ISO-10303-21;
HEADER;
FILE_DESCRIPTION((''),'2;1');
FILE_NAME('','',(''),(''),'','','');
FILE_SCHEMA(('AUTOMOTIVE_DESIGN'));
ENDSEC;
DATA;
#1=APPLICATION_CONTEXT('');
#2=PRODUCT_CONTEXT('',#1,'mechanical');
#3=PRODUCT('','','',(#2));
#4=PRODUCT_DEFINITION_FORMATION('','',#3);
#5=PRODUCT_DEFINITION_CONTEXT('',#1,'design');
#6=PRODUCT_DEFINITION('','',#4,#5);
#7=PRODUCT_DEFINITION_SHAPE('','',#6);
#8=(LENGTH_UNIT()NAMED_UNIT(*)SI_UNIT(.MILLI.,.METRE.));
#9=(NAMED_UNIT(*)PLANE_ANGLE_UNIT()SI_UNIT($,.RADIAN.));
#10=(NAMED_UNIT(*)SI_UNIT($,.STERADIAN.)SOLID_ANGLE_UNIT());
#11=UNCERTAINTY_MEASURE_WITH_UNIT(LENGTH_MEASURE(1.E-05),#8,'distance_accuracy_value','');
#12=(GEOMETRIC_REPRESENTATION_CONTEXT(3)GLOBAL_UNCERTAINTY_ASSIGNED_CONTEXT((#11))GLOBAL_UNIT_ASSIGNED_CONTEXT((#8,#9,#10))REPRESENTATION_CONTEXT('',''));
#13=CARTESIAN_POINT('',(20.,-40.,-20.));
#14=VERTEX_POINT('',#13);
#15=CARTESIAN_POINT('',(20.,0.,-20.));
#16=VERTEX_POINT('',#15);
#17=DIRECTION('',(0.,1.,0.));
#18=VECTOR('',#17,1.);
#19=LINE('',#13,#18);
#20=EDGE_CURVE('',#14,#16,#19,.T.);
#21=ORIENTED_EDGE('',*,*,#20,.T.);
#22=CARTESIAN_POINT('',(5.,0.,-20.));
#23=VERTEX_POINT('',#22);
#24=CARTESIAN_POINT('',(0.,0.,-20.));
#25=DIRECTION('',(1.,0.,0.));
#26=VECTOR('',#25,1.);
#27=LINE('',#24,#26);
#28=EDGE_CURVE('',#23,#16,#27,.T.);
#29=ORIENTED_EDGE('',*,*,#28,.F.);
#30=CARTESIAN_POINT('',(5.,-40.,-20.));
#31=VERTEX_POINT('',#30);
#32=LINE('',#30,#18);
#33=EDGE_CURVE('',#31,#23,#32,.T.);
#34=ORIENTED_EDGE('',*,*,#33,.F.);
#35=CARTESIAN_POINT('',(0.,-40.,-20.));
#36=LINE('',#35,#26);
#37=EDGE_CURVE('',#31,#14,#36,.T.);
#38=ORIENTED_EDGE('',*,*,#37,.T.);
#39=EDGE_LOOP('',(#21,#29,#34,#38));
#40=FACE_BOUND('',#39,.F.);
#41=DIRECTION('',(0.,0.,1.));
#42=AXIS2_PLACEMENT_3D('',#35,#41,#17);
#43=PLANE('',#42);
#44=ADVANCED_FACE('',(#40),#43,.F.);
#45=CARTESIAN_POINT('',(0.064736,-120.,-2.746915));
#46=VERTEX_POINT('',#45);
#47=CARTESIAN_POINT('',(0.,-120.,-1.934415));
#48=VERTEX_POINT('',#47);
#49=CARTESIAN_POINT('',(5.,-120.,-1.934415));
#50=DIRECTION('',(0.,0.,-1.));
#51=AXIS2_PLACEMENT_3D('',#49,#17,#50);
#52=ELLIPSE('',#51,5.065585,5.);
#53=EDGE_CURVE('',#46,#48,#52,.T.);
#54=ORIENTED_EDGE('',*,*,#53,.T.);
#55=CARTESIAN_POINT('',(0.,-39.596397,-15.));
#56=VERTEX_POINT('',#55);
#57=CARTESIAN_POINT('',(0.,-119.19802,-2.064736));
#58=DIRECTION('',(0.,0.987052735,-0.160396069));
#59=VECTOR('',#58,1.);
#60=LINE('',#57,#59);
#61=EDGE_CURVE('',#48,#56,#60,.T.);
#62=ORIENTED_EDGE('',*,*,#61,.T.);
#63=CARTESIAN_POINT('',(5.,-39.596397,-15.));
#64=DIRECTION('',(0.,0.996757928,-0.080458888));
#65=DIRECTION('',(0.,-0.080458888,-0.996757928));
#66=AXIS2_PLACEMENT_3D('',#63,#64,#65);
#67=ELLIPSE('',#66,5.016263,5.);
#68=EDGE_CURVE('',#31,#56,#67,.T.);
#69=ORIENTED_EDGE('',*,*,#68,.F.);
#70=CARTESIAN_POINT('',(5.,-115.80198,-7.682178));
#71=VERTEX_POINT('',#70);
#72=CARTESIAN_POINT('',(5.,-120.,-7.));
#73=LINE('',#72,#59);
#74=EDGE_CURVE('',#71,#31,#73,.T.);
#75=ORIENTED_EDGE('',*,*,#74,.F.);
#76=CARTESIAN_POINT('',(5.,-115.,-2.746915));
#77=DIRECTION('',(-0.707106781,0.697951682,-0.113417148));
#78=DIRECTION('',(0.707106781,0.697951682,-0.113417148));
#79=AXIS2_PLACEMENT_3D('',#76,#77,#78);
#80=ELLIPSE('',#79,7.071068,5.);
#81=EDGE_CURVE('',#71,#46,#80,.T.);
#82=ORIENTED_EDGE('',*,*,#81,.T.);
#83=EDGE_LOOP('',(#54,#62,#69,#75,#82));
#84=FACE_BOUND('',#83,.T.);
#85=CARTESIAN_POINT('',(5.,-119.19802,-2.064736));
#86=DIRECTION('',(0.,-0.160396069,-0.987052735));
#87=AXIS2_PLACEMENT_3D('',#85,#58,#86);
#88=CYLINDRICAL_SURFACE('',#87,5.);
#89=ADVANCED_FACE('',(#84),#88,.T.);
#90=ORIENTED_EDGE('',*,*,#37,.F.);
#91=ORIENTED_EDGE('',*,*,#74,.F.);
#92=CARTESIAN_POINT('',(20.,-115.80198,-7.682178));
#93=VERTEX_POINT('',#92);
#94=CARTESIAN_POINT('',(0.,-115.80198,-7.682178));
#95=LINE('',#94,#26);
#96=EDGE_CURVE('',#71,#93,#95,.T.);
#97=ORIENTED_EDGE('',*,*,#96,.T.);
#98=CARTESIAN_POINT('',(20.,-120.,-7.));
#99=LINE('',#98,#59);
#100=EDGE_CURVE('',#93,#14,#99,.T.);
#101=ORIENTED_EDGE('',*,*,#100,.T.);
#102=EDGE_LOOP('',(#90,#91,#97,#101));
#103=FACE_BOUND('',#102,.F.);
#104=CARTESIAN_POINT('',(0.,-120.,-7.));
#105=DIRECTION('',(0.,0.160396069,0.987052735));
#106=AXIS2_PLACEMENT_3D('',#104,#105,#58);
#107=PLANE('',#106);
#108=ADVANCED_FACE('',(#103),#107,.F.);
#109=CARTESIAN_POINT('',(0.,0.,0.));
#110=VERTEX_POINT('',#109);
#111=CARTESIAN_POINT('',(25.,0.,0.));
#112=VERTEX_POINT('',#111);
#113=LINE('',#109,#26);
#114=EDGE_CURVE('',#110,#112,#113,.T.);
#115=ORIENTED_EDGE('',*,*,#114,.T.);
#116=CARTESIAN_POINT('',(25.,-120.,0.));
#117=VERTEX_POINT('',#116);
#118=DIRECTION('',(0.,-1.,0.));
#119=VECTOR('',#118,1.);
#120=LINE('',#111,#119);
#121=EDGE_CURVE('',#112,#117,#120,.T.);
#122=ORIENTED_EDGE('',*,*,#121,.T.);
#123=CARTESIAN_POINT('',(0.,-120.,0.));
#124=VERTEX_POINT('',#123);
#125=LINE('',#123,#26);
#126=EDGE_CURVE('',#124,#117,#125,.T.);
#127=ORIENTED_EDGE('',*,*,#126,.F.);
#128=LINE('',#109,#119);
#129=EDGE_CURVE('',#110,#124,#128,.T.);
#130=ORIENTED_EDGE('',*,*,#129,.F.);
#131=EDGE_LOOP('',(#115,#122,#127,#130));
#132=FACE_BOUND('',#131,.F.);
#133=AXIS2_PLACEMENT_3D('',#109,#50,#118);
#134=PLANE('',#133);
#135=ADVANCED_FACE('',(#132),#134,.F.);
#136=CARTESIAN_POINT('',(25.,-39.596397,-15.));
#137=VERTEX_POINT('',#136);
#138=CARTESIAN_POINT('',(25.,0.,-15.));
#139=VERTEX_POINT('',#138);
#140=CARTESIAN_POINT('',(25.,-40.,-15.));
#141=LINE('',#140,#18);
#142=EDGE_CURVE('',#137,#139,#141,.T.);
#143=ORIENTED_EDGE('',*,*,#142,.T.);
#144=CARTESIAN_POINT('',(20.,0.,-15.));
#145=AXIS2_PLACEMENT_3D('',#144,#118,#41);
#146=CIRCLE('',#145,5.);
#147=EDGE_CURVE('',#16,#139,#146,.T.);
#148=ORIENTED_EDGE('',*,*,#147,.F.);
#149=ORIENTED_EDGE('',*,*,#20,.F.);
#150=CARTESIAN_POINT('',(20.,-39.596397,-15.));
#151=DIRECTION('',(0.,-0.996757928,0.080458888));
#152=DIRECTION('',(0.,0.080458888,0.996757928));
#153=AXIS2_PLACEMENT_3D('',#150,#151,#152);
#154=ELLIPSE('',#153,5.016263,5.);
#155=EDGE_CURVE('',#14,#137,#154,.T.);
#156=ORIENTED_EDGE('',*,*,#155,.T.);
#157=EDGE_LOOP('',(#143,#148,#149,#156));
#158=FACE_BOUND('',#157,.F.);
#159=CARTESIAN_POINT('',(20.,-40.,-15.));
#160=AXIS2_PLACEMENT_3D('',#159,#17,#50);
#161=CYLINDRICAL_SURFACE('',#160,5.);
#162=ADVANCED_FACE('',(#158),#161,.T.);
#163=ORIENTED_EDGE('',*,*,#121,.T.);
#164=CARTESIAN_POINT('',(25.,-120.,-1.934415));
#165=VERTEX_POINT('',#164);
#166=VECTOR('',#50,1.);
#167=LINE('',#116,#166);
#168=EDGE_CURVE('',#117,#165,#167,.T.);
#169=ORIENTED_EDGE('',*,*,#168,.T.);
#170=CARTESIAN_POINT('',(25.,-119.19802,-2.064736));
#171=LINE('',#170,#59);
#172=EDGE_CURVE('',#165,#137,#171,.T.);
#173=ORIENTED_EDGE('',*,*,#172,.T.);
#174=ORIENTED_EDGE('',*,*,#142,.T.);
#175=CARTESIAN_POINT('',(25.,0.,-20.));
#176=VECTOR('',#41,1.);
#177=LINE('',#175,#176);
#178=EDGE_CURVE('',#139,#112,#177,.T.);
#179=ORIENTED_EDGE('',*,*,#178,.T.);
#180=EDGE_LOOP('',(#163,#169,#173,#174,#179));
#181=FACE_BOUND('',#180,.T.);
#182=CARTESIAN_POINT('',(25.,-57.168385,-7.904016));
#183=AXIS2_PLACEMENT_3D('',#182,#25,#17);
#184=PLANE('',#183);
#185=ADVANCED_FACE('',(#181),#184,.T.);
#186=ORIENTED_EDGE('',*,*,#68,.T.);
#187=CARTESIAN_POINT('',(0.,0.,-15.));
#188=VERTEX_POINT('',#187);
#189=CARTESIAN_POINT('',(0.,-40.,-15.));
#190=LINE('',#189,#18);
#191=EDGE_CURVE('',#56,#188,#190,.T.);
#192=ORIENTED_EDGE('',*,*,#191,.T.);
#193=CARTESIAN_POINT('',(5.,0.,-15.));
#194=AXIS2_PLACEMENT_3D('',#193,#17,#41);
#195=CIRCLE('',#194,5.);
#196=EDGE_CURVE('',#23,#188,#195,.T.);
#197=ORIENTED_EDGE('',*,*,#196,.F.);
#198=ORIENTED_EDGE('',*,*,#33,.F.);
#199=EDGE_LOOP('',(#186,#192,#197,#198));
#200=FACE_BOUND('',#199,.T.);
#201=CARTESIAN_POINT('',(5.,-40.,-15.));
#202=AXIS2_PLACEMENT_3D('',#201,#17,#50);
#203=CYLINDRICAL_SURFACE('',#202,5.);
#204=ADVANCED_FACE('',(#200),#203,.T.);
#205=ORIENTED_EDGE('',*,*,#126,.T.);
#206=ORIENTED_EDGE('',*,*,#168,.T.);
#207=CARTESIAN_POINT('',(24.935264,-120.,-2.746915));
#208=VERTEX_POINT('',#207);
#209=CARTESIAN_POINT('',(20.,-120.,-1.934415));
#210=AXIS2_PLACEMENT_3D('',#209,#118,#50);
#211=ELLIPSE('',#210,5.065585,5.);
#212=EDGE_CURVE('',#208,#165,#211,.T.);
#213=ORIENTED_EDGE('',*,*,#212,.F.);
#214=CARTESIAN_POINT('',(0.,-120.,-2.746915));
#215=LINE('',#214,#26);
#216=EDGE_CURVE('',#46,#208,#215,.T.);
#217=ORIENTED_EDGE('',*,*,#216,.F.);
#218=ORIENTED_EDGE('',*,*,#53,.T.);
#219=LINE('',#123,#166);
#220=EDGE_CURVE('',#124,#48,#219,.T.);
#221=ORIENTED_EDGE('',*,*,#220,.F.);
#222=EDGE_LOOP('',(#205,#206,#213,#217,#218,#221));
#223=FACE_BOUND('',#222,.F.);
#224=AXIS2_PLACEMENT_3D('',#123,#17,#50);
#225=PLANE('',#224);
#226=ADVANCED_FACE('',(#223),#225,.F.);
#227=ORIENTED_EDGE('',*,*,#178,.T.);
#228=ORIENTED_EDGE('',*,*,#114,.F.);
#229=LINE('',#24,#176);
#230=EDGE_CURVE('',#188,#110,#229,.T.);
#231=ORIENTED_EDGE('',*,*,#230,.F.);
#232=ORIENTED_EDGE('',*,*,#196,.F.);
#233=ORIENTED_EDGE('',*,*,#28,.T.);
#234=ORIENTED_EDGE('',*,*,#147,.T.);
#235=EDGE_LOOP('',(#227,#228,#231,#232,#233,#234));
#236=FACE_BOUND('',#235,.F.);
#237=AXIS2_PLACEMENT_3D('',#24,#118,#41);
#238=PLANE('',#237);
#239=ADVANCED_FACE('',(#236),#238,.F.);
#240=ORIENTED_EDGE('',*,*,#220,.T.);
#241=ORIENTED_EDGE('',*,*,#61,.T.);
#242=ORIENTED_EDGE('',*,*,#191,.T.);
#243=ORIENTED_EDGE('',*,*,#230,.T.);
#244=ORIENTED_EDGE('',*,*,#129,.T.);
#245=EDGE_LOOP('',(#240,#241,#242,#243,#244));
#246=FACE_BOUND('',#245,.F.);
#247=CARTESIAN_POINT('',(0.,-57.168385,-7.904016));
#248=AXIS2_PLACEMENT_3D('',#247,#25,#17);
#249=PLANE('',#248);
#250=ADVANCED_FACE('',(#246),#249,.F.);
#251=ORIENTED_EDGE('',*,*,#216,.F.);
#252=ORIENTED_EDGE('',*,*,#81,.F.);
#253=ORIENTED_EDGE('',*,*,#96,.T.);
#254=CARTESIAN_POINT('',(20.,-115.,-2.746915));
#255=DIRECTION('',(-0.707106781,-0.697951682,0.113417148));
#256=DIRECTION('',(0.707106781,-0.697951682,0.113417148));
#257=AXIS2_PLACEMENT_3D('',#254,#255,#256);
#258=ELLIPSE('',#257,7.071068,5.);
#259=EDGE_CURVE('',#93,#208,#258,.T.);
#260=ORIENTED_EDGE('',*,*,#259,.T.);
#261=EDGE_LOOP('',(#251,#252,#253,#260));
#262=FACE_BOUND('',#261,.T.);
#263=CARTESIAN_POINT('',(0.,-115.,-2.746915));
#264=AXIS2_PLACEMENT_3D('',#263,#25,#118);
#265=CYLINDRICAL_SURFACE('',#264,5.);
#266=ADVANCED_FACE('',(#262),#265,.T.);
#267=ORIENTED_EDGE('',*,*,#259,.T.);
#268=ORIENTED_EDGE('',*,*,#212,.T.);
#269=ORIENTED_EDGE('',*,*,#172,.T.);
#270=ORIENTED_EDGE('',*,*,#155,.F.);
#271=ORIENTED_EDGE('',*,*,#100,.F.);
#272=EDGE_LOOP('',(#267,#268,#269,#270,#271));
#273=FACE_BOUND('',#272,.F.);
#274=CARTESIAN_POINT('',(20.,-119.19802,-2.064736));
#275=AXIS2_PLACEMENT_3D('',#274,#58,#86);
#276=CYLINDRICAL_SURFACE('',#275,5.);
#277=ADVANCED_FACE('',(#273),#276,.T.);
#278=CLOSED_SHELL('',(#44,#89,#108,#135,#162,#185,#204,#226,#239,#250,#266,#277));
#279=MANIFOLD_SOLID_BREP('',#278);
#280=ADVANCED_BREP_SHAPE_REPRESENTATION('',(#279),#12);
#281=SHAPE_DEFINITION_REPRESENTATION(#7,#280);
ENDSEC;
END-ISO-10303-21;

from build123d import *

# Parameters (mm, degrees)
F1_DEPTH = 25
F2_R     = 5


with BuildPart() as f1:
    # F0 (on Right) → F1 (new body)
    with BuildSketch(Plane.YZ):
        Polygon((0, -20), (0, 0), (-120, 0), (-120, -7), (-40, -20), align=None)
    extrude(amount=F1_DEPTH)

    # F2
    f2_edges = [f1.edges().sort_by_distance(p)[0] for p in [
        (25, -20, -20),
        (25, -80, -13.5),
        (12.5, -120, -7),
        (0, -80, -13.5),
        (0, -20, -20),
    ]]
    fillet(f2_edges, radius=F2_R)


solid = f1.part
